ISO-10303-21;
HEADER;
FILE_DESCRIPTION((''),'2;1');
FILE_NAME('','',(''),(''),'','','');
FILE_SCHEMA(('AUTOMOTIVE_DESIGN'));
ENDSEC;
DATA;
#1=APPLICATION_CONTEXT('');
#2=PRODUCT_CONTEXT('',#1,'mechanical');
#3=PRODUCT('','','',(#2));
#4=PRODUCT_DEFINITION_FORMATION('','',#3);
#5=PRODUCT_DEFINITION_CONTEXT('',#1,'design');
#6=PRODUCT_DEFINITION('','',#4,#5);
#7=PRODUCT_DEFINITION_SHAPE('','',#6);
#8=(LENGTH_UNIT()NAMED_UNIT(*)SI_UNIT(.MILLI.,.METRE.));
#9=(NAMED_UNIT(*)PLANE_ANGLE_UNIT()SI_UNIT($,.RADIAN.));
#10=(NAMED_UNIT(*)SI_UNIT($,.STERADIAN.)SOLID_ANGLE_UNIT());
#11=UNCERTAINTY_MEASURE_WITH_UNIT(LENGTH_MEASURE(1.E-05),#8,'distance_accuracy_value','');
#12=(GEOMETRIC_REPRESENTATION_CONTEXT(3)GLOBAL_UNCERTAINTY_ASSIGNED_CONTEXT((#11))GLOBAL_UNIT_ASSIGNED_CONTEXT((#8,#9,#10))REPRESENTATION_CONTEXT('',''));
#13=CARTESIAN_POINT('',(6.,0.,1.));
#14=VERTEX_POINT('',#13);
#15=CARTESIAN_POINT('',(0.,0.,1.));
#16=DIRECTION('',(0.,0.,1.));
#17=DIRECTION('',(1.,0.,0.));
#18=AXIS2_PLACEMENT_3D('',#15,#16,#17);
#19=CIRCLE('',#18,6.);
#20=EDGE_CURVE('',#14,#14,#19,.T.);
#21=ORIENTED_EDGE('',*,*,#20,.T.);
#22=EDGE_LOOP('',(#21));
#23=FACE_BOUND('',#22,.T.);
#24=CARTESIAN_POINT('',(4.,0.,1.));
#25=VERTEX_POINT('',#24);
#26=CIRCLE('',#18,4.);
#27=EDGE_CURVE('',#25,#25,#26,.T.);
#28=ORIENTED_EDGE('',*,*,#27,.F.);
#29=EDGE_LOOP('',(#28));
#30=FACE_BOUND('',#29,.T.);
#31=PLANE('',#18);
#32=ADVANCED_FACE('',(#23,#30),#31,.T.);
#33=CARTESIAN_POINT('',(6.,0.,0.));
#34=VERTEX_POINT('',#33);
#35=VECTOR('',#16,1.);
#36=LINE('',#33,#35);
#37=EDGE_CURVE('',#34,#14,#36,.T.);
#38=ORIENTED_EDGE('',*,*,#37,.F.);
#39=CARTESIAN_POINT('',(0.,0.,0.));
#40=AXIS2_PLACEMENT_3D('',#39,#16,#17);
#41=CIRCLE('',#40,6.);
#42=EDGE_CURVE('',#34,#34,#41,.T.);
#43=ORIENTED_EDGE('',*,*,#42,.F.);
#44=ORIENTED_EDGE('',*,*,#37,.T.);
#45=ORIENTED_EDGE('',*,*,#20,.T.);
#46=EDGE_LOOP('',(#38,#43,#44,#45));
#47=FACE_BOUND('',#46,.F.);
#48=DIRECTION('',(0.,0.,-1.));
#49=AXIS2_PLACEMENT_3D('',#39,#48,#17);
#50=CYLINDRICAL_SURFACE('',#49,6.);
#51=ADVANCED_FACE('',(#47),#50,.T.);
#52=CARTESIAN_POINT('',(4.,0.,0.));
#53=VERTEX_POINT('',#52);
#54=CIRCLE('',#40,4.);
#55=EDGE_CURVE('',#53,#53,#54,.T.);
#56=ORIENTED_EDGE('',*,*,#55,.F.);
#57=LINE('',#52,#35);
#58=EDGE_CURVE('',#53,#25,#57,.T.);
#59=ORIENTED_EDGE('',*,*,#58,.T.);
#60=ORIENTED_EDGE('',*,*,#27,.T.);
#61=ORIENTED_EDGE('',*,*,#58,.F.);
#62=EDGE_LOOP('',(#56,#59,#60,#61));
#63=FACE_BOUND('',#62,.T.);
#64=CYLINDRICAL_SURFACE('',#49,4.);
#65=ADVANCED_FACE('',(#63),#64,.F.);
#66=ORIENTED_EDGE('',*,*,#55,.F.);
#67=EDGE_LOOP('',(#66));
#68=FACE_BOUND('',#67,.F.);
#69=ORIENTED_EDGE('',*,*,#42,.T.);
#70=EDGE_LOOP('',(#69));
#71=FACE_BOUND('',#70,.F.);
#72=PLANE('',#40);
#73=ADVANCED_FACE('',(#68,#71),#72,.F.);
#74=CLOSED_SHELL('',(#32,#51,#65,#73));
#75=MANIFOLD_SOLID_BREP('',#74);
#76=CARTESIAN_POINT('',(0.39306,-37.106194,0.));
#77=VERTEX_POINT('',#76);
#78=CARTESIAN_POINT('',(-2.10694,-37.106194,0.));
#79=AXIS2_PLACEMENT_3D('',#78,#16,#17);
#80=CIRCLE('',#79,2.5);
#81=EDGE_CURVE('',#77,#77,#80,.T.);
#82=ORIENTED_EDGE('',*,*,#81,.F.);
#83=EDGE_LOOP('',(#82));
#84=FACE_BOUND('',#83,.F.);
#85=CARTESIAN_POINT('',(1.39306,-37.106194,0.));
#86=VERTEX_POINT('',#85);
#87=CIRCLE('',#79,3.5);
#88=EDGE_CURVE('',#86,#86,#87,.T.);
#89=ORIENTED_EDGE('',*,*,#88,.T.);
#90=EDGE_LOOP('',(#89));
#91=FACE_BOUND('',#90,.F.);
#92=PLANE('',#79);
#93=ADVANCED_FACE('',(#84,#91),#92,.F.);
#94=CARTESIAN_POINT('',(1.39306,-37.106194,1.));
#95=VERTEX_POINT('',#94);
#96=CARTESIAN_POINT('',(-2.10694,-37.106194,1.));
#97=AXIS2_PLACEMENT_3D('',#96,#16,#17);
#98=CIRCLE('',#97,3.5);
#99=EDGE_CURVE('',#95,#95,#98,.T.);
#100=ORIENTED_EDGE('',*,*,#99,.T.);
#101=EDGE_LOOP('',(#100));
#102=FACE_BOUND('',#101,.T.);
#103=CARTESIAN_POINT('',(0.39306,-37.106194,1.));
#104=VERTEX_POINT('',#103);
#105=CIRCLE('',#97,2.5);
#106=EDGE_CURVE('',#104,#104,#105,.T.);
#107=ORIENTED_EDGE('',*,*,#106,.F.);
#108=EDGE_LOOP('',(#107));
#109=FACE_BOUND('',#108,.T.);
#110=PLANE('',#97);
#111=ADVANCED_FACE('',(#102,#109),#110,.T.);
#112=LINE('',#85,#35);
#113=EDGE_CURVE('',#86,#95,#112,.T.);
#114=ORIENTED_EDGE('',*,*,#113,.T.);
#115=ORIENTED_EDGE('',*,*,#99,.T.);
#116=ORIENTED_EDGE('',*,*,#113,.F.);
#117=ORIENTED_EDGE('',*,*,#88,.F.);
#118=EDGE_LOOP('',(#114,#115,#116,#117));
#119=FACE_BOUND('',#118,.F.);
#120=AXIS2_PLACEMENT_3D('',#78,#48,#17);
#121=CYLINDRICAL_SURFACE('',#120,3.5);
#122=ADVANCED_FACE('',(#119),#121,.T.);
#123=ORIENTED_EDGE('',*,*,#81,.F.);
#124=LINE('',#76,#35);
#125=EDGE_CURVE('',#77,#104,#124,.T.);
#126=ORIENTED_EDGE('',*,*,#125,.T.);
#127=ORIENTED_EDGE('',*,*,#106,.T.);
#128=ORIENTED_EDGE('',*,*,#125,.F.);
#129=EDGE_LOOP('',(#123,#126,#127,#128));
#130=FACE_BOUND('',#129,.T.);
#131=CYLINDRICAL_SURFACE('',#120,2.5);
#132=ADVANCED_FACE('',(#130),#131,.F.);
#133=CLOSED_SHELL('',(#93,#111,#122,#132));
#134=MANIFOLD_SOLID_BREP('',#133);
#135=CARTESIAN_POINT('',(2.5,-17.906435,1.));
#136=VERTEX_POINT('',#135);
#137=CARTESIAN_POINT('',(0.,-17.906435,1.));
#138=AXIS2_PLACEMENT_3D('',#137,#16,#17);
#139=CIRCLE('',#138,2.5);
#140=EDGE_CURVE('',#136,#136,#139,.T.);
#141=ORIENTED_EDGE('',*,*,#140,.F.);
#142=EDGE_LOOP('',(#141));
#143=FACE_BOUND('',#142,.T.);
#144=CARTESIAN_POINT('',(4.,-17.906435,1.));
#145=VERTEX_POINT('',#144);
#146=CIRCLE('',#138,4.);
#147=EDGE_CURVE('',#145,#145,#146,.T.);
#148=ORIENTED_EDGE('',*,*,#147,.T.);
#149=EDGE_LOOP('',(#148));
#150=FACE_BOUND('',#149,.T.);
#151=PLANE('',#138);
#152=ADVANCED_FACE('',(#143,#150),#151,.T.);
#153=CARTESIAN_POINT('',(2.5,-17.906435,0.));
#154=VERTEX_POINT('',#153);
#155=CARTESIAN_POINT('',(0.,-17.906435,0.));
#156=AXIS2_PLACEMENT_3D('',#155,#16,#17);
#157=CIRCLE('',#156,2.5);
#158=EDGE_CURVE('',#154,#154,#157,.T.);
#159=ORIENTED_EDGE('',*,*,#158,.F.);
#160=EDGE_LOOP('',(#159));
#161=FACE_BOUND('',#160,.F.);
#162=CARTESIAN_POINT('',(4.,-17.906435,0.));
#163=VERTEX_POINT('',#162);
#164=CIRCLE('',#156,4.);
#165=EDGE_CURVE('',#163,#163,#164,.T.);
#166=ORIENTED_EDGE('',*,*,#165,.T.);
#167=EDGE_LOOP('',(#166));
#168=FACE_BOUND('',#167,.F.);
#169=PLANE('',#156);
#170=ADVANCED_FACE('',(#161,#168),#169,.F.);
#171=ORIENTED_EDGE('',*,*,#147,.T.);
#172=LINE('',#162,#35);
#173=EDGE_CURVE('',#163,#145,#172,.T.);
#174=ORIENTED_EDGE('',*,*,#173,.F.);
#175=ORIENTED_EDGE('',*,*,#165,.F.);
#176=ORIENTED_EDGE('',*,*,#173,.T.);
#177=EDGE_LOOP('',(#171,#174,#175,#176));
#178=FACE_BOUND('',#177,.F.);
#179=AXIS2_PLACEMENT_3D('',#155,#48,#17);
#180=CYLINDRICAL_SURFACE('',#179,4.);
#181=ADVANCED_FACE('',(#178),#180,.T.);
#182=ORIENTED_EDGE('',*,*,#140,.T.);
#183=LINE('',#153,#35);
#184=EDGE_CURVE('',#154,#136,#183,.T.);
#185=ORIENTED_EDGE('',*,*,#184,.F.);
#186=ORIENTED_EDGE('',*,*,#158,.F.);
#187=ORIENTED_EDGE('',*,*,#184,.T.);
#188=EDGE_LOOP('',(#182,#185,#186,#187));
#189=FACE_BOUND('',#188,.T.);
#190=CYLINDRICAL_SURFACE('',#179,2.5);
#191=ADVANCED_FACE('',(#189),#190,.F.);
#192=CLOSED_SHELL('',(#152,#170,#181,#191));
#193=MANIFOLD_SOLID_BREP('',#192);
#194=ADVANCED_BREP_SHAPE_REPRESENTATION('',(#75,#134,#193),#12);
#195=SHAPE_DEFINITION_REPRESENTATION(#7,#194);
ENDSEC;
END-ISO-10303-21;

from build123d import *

# Parameters (mm, degrees)
F0_R     = 6
F0_R_2   = 4
F1_DEPTH = 1
F2_R     = 4
F2_R_2   = 2.5
F3_DEPTH = 1
F4_R     = 3.5
F4_R_2   = 2.5
F5_DEPTH = 1


with BuildPart() as f1:
    # F0 (on Top) → F1 (new body)
    with BuildSketch(Plane.XY):
        Circle(F0_R)
        Circle(F0_R_2, mode=Mode.SUBTRACT)
    extrude(amount=F1_DEPTH)


with BuildPart() as f3:
    # F2 (on Top) → F3 (new body)
    with BuildSketch(Plane.XY):
        with Locations((0, -17.906435)):
            Circle(F2_R)
        with Locations((0, -17.906435)):
            Circle(F2_R_2, mode=Mode.SUBTRACT)
    extrude(amount=F3_DEPTH)


with BuildPart() as f5:
    # F4 (on Top) → F5 (new body)
    with BuildSketch(Plane.XY):
        with Locations((-2.10694, -37.106194)):
            Circle(F4_R)
        with Locations((-2.10694, -37.106194)):
            Circle(F4_R_2, mode=Mode.SUBTRACT)
    extrude(amount=F5_DEPTH)


solid = Compound([f1.part, f3.part, f5.part])
